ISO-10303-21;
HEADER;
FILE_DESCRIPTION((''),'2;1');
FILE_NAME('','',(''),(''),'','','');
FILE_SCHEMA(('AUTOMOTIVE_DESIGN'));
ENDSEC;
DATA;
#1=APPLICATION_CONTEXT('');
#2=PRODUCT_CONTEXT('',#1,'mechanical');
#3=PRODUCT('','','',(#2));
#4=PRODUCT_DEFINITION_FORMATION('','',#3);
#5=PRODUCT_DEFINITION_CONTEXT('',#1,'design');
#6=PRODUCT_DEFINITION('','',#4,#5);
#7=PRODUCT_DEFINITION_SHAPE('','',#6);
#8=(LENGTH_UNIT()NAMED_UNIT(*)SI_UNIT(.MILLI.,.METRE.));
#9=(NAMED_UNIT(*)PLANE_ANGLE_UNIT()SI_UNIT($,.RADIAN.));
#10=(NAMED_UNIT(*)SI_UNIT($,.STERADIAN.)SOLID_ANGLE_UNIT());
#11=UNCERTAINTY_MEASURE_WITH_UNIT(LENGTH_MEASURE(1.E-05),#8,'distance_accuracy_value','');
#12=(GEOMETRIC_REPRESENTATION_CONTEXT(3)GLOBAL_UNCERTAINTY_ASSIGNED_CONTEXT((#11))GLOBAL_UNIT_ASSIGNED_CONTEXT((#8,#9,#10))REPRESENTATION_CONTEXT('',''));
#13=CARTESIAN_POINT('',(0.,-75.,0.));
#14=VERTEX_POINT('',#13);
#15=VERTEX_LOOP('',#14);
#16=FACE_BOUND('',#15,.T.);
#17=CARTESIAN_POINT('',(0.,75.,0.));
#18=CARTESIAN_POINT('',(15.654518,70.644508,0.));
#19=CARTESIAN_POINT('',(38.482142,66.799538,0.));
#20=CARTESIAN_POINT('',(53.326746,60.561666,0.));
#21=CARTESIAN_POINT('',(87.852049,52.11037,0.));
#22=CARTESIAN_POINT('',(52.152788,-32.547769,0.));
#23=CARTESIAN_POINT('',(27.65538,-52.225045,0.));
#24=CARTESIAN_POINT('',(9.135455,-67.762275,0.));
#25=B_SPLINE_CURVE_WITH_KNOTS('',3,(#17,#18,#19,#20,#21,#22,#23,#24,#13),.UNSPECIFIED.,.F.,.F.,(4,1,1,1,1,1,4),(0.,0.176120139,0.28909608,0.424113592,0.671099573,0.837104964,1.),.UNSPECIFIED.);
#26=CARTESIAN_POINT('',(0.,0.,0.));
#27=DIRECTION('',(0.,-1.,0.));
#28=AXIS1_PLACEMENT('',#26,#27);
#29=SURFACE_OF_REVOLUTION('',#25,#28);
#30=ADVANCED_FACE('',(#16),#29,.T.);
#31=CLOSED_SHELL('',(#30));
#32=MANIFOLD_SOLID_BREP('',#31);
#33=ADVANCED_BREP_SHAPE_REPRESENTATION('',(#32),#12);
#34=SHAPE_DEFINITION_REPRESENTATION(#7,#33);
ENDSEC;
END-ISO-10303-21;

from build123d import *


with BuildPart() as f1:
    # F0 (on Top) → F1 (revolve)
    with BuildSketch(Plane.XY):
        with BuildLine():
            add(Edge.make_bspline(
                [(0, 75), (15.654518471, 70.6445076627), (38.4821420563, 66.7995376863), (53.3267458899, 60.5616663965), (87.8520487784, 52.1103701512), (52.1527882688, -32.547768534), (27.6553802992, -52.225044912), (9.1354550861, -67.7622747618), (0, -75)],
                knots=[0, 0, 0, 0, 0.1761201393, 0.2890960801, 0.424113592, 0.6710995732, 0.8371049637, 1, 1, 1, 1], degree=3))
            Line((0, 75), (0, -75))
        make_face()
    revolve(axis=Axis((0, 0, 0), (0, -1, 0)))


solid = f1.part
